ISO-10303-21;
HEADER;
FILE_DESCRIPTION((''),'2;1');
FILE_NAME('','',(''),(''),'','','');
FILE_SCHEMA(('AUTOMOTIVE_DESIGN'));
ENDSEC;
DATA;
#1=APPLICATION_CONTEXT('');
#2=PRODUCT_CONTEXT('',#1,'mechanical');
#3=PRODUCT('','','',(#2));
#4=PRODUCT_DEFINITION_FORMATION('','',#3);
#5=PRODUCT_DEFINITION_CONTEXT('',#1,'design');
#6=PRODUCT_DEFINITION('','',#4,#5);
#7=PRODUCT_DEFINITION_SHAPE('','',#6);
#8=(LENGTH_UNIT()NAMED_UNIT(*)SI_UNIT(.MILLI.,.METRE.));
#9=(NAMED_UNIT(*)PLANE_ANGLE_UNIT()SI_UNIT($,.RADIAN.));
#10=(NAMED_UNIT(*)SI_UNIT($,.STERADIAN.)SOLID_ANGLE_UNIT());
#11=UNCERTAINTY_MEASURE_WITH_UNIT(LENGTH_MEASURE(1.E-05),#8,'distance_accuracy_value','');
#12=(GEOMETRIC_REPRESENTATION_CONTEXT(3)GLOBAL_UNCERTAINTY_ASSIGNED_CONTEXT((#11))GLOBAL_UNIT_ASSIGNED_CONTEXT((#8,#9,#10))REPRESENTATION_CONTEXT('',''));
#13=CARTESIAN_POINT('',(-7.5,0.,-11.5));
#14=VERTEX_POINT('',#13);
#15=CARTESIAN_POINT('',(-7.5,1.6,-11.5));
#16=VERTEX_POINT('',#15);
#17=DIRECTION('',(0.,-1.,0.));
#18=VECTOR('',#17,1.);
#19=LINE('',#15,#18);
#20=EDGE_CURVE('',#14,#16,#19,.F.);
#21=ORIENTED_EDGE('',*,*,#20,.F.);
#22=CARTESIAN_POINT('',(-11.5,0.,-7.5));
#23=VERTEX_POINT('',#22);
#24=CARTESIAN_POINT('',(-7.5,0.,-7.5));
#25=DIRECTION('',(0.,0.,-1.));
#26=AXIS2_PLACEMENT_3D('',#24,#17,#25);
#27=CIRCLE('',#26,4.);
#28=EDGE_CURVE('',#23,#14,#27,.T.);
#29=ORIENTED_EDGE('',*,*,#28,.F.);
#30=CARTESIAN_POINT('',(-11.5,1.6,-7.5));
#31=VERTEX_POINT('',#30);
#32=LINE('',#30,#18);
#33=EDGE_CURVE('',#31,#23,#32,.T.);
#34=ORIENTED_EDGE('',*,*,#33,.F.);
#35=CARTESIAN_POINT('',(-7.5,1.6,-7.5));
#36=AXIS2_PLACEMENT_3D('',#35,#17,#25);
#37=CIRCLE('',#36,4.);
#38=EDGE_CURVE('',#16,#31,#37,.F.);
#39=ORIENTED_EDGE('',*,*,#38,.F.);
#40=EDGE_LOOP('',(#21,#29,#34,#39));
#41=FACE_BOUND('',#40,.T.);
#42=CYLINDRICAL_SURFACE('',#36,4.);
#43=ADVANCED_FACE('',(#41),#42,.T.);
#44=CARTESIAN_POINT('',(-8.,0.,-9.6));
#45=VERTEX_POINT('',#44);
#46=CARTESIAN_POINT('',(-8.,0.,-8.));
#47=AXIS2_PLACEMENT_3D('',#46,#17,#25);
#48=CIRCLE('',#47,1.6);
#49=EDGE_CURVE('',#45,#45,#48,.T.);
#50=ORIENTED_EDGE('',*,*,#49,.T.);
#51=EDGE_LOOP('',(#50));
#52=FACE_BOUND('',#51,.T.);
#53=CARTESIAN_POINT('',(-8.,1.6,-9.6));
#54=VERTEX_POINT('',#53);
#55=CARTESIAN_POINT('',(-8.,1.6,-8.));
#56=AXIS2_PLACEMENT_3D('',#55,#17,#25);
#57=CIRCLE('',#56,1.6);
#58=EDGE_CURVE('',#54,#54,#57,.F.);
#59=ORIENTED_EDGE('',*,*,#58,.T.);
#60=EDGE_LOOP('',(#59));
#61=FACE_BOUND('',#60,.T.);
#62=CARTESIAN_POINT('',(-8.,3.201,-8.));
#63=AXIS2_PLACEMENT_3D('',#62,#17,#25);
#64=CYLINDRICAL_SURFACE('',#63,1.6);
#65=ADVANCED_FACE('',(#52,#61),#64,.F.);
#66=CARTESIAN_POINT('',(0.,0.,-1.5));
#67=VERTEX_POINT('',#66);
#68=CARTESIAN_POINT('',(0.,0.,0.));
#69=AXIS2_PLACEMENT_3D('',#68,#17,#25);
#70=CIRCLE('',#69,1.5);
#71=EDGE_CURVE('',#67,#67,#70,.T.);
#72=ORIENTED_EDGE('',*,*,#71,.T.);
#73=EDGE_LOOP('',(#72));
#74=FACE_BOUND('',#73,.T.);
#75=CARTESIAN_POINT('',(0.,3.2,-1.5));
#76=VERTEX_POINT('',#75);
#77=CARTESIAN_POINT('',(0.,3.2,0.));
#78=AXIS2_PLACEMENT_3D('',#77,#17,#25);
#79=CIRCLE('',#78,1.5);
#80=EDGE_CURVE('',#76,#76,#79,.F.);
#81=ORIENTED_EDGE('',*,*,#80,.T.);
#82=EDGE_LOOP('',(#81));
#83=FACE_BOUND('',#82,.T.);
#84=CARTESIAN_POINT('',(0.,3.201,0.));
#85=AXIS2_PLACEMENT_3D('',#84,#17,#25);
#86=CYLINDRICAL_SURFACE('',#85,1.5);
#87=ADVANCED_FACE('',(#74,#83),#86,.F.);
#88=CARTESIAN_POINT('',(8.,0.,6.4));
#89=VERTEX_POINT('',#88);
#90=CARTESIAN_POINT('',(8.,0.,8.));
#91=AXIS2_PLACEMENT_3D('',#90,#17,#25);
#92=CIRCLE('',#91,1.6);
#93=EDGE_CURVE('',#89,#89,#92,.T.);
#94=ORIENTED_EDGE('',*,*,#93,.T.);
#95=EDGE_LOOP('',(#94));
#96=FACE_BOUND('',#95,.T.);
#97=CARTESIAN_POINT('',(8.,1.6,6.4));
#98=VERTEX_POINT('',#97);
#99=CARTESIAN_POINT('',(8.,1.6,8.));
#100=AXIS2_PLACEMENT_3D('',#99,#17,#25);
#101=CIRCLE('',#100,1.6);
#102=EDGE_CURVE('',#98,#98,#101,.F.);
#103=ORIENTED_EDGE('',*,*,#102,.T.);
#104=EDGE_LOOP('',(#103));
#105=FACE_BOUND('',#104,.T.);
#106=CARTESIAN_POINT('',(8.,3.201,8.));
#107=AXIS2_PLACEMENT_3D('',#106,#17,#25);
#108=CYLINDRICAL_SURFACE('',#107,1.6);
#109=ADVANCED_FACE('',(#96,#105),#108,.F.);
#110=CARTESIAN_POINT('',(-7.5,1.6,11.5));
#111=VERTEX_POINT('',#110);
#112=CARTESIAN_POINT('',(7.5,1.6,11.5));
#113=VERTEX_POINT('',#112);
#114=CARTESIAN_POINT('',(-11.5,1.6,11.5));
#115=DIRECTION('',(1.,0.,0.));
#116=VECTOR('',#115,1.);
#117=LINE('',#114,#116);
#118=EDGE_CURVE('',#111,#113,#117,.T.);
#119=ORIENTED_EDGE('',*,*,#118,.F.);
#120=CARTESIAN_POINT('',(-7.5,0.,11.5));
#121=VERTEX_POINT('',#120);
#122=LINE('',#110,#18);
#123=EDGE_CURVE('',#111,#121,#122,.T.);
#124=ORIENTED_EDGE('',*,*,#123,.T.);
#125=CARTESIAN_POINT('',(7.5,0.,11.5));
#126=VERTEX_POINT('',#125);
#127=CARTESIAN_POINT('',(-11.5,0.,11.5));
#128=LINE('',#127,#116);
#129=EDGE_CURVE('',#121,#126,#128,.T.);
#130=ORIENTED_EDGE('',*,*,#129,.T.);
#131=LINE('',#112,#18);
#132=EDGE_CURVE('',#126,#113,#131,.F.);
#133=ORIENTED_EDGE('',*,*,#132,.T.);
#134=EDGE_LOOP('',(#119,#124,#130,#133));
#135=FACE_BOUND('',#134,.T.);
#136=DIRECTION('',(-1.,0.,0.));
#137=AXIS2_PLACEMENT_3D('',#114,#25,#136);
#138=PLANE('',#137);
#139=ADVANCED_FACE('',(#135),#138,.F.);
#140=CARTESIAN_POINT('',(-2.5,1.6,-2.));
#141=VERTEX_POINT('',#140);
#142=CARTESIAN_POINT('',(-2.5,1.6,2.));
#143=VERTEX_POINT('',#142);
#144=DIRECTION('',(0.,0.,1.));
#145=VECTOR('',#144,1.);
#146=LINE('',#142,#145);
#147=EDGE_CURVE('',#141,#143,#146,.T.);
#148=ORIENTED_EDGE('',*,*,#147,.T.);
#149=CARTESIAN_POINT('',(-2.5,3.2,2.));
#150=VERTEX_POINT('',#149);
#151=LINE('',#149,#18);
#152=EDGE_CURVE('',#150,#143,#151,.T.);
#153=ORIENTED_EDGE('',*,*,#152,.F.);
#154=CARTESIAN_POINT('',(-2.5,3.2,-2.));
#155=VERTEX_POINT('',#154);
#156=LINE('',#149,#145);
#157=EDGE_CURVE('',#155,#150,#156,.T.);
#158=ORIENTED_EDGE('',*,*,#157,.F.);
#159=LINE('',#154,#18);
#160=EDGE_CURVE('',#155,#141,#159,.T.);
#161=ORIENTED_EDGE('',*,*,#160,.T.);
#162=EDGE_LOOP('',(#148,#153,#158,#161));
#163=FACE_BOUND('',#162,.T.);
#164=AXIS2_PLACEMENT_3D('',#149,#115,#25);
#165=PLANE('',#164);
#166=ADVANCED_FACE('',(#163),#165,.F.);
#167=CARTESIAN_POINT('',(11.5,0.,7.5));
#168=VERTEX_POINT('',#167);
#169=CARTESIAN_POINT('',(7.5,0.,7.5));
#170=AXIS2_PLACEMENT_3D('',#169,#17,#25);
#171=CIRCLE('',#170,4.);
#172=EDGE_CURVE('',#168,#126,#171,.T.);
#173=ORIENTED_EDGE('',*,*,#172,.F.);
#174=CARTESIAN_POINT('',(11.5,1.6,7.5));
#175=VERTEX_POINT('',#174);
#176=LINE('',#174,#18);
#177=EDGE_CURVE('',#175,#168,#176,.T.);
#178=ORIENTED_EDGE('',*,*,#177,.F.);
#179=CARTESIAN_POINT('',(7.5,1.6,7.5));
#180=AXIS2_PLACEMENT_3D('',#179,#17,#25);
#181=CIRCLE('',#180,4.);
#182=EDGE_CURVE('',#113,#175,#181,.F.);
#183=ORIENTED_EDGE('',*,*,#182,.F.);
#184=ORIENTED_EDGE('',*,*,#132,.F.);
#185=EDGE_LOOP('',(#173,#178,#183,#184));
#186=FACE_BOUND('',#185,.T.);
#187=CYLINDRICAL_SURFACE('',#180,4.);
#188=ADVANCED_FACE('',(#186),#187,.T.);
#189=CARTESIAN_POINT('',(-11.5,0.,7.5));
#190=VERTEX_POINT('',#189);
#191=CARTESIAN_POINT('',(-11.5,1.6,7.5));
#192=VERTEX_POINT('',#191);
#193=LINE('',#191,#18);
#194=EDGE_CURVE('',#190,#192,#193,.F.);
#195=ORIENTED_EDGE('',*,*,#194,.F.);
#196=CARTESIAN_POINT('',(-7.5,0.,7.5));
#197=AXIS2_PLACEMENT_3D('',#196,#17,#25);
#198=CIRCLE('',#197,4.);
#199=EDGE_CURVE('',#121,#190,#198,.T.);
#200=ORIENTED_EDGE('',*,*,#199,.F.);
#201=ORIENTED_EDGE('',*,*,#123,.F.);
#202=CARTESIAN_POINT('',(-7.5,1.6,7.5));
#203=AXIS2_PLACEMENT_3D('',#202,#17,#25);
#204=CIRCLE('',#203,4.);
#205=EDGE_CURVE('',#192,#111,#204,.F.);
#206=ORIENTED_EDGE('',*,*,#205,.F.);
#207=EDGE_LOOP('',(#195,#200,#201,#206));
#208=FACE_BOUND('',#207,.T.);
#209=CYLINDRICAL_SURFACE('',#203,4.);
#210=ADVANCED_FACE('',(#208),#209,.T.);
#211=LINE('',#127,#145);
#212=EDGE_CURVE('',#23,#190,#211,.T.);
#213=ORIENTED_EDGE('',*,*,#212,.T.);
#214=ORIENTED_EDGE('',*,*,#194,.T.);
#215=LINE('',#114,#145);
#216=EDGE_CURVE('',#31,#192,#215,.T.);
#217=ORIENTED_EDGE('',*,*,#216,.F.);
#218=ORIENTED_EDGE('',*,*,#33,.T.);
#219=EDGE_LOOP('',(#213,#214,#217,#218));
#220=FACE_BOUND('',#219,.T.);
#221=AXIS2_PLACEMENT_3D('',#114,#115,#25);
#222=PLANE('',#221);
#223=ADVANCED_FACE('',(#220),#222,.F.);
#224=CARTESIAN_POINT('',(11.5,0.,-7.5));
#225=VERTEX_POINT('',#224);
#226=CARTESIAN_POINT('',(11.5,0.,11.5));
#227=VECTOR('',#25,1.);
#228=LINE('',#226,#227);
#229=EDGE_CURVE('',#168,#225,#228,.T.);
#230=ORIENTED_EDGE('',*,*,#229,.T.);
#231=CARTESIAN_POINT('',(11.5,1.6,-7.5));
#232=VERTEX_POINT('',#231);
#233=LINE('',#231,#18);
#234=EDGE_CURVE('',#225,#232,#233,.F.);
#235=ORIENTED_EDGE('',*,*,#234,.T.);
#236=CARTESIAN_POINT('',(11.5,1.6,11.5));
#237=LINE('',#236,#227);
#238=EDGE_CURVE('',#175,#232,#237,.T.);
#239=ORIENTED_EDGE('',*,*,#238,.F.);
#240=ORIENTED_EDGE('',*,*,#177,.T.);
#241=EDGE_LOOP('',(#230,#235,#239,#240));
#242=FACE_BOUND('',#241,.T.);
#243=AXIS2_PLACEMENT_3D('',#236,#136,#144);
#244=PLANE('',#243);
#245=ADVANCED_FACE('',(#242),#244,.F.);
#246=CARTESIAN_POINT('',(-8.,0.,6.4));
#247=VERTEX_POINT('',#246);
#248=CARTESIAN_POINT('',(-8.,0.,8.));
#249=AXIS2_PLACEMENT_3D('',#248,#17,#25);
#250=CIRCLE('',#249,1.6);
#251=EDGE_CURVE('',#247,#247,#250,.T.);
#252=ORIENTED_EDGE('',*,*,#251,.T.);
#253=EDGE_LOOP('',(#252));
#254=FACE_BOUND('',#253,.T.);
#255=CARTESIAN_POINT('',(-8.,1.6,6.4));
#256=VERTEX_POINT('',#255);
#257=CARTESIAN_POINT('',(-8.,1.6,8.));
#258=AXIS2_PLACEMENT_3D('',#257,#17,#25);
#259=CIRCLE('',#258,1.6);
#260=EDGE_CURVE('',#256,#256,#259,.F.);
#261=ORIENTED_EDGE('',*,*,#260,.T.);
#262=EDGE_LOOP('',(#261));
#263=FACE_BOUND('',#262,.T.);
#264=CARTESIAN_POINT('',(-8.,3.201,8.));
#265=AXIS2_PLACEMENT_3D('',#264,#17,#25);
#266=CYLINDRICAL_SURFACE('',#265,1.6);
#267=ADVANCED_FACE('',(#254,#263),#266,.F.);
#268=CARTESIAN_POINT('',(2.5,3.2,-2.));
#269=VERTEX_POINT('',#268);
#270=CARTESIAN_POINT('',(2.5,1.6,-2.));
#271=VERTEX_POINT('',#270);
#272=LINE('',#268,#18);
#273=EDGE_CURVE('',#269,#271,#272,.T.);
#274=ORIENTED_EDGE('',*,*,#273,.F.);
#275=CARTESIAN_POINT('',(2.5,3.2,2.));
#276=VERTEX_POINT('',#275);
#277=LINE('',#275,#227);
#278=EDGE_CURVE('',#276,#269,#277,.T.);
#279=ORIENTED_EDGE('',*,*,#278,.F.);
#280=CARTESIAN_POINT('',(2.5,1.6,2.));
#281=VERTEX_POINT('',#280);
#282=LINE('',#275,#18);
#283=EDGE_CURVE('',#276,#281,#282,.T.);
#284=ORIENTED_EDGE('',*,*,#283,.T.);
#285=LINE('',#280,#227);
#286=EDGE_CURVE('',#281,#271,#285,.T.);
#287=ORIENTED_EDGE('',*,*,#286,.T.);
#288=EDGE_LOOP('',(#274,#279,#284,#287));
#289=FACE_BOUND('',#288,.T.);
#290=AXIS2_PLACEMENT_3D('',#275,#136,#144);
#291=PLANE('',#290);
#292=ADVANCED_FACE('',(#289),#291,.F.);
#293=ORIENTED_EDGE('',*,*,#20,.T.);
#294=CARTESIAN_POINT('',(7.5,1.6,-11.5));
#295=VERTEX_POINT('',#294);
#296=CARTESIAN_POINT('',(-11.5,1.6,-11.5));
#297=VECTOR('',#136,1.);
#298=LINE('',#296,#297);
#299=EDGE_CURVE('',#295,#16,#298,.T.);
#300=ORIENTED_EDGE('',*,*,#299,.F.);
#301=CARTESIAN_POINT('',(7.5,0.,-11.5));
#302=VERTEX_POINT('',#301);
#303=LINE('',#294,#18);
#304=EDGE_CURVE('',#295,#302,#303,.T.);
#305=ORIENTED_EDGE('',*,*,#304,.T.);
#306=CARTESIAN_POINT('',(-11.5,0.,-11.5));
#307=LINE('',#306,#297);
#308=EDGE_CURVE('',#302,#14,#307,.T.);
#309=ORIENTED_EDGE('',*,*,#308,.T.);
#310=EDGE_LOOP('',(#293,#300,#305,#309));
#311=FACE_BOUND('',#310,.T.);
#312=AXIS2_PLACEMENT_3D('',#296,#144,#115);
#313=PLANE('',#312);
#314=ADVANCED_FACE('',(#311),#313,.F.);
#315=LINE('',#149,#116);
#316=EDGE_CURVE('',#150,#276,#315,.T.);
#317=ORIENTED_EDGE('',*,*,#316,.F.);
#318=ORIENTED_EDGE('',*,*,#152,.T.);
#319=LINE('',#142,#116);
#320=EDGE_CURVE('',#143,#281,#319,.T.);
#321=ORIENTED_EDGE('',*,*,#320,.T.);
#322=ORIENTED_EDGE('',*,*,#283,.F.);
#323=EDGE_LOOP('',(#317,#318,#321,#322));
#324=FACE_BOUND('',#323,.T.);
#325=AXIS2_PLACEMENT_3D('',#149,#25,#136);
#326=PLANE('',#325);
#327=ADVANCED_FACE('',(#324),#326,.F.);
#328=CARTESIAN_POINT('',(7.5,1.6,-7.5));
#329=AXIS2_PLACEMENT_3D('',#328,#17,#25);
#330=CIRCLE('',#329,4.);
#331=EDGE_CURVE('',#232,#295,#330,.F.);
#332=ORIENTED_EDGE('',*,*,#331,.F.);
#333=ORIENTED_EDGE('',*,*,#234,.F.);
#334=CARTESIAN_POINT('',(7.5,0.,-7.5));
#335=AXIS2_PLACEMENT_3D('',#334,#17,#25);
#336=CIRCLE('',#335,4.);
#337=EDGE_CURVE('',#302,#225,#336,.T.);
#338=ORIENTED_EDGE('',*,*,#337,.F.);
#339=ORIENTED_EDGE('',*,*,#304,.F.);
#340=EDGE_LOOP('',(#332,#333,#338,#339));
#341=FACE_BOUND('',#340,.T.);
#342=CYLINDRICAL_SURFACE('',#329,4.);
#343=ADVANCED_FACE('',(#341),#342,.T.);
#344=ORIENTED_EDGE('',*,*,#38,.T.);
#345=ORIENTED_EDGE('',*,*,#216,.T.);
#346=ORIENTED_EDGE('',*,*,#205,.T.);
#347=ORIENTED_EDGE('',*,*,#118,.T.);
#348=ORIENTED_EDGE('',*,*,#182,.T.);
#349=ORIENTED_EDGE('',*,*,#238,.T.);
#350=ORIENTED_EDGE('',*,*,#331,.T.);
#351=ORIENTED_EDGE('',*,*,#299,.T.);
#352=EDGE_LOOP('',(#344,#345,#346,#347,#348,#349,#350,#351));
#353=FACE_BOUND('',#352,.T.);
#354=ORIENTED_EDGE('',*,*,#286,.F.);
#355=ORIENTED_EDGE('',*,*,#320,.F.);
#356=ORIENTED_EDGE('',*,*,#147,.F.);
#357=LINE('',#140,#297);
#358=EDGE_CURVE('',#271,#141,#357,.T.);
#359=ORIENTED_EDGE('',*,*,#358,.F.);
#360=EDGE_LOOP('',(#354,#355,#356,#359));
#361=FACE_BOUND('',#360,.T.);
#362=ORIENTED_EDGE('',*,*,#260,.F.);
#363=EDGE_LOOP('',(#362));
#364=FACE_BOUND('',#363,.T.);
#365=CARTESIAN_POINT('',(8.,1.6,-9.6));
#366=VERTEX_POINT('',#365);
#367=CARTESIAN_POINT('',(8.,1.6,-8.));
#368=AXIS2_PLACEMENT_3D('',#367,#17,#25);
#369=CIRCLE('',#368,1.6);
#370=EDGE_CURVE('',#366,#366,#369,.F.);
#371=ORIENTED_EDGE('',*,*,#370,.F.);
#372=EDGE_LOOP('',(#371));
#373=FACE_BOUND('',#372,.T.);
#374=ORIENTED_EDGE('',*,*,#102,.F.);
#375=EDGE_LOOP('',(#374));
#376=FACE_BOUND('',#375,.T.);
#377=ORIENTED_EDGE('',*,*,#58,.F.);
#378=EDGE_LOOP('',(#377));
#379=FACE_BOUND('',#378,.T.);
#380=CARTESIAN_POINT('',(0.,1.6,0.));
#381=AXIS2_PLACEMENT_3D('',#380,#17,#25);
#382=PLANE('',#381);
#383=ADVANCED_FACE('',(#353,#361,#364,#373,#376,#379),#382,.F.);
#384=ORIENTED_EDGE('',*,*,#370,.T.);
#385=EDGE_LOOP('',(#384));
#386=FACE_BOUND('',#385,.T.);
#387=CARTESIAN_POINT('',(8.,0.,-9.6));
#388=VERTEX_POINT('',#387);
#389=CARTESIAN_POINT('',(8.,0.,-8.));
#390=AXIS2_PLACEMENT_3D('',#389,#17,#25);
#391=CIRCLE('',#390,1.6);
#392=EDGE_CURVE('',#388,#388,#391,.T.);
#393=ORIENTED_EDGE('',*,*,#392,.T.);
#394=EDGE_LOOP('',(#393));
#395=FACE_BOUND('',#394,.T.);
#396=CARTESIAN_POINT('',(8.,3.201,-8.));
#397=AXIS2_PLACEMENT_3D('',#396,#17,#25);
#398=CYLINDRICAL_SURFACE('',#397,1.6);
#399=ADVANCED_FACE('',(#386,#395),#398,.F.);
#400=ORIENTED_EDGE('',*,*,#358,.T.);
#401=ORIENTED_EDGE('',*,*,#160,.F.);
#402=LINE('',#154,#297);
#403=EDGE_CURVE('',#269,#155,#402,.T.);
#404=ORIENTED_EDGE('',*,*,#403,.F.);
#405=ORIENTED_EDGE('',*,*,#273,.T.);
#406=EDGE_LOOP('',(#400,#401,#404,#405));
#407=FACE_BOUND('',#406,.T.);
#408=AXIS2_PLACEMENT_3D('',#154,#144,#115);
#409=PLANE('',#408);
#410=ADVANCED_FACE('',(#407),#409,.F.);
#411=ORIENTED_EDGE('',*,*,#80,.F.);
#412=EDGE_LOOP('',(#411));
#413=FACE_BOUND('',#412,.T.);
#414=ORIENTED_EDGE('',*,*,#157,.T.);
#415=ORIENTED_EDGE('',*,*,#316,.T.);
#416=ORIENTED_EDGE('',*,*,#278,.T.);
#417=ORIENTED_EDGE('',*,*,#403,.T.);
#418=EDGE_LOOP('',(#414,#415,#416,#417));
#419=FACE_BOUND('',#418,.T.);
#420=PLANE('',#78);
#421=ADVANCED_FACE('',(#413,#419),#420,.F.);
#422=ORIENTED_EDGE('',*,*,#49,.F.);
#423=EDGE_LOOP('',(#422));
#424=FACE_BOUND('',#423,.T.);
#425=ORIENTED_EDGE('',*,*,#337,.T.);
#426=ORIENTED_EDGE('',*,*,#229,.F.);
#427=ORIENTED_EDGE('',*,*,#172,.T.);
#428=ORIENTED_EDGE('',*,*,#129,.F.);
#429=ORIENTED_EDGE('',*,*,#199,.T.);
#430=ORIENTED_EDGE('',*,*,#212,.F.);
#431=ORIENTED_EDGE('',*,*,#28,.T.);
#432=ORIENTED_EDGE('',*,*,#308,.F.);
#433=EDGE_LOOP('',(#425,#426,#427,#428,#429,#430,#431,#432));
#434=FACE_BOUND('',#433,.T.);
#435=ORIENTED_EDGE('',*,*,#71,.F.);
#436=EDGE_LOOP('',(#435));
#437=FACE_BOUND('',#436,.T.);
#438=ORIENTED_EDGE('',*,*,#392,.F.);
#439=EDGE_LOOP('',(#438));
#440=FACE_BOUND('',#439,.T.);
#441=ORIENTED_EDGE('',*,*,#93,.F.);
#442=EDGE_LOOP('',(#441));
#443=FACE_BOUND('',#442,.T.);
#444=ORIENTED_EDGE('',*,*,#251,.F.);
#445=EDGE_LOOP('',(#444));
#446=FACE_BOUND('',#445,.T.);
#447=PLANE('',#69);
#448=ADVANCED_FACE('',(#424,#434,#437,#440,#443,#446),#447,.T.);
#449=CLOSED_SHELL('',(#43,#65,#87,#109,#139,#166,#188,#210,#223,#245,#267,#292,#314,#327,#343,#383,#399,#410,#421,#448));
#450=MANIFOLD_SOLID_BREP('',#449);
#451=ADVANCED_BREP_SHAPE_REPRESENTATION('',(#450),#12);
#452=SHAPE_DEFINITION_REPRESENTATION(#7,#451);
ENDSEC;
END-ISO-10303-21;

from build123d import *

# Parameters (mm, degrees)
SKETCH_1_W          = 23
SKETCH_1_H          = 23
EXTRUDE_1_DEPTH     = 1.6
SKETCH_2_W          = 5
SKETCH_2_H          = 4
EXTRUDE_2_DEPTH     = 1.6
FILLET_1_R          = 4
CUT_EXTRUDE_1_REACH = 18.575
SKETCH_3_R          = 1.6
CUT_EXTRUDE_2_REACH = 18.575
SKETCH_4_R          = 1.5


with BuildPart() as part:
    # 草图1 → 凸台-拉伸1 (new body)
    with BuildSketch(Plane(origin=(0, 0, 0), x_dir=(1, 0, 0), z_dir=(0, 1, 0))):
        Rectangle(SKETCH_1_W, SKETCH_1_H)
    extrude(amount=EXTRUDE_1_DEPTH)

    # 草图2 → 凸台-拉伸2 (add)
    with BuildSketch(Plane(origin=(0, 1.6, 0), x_dir=(1, 0, 0), z_dir=(0, 1, 0))):
        Rectangle(SKETCH_2_W, SKETCH_2_H)
    extrude(amount=EXTRUDE_2_DEPTH)

    # 圆角1
    fillet_1_edges = [part.edges().sort_by_distance(p)[0] for p in [
        (11.5, 0.8, 11.5),
        (-11.5, 0.8, 11.5),
        (-11.5, 0.8, -11.5),
        (11.5, 0.8, -11.5),
    ]]
    fillet(fillet_1_edges, radius=FILLET_1_R)

    # 草图3 → 切除-拉伸1 (cut, up to next)
    with BuildSketch(Plane.XZ, mode=Mode.PRIVATE) as cut_extrude_1_sk1:
        with Locations(Location((-8, 8, 0), (0, 0, 270))):
            Circle(SKETCH_3_R)
    cut_extrude_1_tool1 = extrude(cut_extrude_1_sk1.sketch, amount=-CUT_EXTRUDE_1_REACH, mode=Mode.PRIVATE) & part.part
    # 草图3 → 切除-拉伸1 (cut, up to next)
    with BuildSketch(Plane.XZ, mode=Mode.PRIVATE) as cut_extrude_1_sk2:
        with Locations(Location((8, 8, 0), (0, 0, 270))):
            Circle(SKETCH_3_R)
    cut_extrude_1_tool2 = extrude(cut_extrude_1_sk2.sketch, amount=-CUT_EXTRUDE_1_REACH, mode=Mode.PRIVATE) & part.part
    # 草图3 → 切除-拉伸1 (cut, up to next)
    with BuildSketch(Plane.XZ, mode=Mode.PRIVATE) as cut_extrude_1_sk3:
        with Locations(Location((8, -8, 0), (0, 0, 270))):
            Circle(SKETCH_3_R)
    cut_extrude_1_tool3 = extrude(cut_extrude_1_sk3.sketch, amount=-CUT_EXTRUDE_1_REACH, mode=Mode.PRIVATE) & part.part
    # 草图3 → 切除-拉伸1 (cut, up to next)
    with BuildSketch(Plane.XZ, mode=Mode.PRIVATE) as cut_extrude_1_sk4:
        with Locations(Location((-8, -8, 0), (0, 0, 270))):
            Circle(SKETCH_3_R)
    cut_extrude_1_tool4 = extrude(cut_extrude_1_sk4.sketch, amount=-CUT_EXTRUDE_1_REACH, mode=Mode.PRIVATE) & part.part
    add(cut_extrude_1_tool1.solids().sort_by_distance((-8, 0, 8))[0], mode=Mode.SUBTRACT)
    add(cut_extrude_1_tool2.solids().sort_by_distance((8, 0, 8))[0], mode=Mode.SUBTRACT)
    add(cut_extrude_1_tool3.solids().sort_by_distance((8, 0, -8))[0], mode=Mode.SUBTRACT)
    add(cut_extrude_1_tool4.solids().sort_by_distance((-8, 0, -8))[0], mode=Mode.SUBTRACT)

    # 草图4 → 切除-拉伸2 (cut, up to next)
    with BuildSketch(Plane.XZ, mode=Mode.PRIVATE) as cut_extrude_2_sk1:
        with Locations(Location((0, 0, 0), (0, 0, 270))):
            Circle(SKETCH_4_R)
    cut_extrude_2_tool1 = extrude(cut_extrude_2_sk1.sketch, amount=-CUT_EXTRUDE_2_REACH, mode=Mode.PRIVATE) & part.part
    add(cut_extrude_2_tool1.solids().sort_by_distance((0, 0, 0))[0], mode=Mode.SUBTRACT)


solid = part.part
